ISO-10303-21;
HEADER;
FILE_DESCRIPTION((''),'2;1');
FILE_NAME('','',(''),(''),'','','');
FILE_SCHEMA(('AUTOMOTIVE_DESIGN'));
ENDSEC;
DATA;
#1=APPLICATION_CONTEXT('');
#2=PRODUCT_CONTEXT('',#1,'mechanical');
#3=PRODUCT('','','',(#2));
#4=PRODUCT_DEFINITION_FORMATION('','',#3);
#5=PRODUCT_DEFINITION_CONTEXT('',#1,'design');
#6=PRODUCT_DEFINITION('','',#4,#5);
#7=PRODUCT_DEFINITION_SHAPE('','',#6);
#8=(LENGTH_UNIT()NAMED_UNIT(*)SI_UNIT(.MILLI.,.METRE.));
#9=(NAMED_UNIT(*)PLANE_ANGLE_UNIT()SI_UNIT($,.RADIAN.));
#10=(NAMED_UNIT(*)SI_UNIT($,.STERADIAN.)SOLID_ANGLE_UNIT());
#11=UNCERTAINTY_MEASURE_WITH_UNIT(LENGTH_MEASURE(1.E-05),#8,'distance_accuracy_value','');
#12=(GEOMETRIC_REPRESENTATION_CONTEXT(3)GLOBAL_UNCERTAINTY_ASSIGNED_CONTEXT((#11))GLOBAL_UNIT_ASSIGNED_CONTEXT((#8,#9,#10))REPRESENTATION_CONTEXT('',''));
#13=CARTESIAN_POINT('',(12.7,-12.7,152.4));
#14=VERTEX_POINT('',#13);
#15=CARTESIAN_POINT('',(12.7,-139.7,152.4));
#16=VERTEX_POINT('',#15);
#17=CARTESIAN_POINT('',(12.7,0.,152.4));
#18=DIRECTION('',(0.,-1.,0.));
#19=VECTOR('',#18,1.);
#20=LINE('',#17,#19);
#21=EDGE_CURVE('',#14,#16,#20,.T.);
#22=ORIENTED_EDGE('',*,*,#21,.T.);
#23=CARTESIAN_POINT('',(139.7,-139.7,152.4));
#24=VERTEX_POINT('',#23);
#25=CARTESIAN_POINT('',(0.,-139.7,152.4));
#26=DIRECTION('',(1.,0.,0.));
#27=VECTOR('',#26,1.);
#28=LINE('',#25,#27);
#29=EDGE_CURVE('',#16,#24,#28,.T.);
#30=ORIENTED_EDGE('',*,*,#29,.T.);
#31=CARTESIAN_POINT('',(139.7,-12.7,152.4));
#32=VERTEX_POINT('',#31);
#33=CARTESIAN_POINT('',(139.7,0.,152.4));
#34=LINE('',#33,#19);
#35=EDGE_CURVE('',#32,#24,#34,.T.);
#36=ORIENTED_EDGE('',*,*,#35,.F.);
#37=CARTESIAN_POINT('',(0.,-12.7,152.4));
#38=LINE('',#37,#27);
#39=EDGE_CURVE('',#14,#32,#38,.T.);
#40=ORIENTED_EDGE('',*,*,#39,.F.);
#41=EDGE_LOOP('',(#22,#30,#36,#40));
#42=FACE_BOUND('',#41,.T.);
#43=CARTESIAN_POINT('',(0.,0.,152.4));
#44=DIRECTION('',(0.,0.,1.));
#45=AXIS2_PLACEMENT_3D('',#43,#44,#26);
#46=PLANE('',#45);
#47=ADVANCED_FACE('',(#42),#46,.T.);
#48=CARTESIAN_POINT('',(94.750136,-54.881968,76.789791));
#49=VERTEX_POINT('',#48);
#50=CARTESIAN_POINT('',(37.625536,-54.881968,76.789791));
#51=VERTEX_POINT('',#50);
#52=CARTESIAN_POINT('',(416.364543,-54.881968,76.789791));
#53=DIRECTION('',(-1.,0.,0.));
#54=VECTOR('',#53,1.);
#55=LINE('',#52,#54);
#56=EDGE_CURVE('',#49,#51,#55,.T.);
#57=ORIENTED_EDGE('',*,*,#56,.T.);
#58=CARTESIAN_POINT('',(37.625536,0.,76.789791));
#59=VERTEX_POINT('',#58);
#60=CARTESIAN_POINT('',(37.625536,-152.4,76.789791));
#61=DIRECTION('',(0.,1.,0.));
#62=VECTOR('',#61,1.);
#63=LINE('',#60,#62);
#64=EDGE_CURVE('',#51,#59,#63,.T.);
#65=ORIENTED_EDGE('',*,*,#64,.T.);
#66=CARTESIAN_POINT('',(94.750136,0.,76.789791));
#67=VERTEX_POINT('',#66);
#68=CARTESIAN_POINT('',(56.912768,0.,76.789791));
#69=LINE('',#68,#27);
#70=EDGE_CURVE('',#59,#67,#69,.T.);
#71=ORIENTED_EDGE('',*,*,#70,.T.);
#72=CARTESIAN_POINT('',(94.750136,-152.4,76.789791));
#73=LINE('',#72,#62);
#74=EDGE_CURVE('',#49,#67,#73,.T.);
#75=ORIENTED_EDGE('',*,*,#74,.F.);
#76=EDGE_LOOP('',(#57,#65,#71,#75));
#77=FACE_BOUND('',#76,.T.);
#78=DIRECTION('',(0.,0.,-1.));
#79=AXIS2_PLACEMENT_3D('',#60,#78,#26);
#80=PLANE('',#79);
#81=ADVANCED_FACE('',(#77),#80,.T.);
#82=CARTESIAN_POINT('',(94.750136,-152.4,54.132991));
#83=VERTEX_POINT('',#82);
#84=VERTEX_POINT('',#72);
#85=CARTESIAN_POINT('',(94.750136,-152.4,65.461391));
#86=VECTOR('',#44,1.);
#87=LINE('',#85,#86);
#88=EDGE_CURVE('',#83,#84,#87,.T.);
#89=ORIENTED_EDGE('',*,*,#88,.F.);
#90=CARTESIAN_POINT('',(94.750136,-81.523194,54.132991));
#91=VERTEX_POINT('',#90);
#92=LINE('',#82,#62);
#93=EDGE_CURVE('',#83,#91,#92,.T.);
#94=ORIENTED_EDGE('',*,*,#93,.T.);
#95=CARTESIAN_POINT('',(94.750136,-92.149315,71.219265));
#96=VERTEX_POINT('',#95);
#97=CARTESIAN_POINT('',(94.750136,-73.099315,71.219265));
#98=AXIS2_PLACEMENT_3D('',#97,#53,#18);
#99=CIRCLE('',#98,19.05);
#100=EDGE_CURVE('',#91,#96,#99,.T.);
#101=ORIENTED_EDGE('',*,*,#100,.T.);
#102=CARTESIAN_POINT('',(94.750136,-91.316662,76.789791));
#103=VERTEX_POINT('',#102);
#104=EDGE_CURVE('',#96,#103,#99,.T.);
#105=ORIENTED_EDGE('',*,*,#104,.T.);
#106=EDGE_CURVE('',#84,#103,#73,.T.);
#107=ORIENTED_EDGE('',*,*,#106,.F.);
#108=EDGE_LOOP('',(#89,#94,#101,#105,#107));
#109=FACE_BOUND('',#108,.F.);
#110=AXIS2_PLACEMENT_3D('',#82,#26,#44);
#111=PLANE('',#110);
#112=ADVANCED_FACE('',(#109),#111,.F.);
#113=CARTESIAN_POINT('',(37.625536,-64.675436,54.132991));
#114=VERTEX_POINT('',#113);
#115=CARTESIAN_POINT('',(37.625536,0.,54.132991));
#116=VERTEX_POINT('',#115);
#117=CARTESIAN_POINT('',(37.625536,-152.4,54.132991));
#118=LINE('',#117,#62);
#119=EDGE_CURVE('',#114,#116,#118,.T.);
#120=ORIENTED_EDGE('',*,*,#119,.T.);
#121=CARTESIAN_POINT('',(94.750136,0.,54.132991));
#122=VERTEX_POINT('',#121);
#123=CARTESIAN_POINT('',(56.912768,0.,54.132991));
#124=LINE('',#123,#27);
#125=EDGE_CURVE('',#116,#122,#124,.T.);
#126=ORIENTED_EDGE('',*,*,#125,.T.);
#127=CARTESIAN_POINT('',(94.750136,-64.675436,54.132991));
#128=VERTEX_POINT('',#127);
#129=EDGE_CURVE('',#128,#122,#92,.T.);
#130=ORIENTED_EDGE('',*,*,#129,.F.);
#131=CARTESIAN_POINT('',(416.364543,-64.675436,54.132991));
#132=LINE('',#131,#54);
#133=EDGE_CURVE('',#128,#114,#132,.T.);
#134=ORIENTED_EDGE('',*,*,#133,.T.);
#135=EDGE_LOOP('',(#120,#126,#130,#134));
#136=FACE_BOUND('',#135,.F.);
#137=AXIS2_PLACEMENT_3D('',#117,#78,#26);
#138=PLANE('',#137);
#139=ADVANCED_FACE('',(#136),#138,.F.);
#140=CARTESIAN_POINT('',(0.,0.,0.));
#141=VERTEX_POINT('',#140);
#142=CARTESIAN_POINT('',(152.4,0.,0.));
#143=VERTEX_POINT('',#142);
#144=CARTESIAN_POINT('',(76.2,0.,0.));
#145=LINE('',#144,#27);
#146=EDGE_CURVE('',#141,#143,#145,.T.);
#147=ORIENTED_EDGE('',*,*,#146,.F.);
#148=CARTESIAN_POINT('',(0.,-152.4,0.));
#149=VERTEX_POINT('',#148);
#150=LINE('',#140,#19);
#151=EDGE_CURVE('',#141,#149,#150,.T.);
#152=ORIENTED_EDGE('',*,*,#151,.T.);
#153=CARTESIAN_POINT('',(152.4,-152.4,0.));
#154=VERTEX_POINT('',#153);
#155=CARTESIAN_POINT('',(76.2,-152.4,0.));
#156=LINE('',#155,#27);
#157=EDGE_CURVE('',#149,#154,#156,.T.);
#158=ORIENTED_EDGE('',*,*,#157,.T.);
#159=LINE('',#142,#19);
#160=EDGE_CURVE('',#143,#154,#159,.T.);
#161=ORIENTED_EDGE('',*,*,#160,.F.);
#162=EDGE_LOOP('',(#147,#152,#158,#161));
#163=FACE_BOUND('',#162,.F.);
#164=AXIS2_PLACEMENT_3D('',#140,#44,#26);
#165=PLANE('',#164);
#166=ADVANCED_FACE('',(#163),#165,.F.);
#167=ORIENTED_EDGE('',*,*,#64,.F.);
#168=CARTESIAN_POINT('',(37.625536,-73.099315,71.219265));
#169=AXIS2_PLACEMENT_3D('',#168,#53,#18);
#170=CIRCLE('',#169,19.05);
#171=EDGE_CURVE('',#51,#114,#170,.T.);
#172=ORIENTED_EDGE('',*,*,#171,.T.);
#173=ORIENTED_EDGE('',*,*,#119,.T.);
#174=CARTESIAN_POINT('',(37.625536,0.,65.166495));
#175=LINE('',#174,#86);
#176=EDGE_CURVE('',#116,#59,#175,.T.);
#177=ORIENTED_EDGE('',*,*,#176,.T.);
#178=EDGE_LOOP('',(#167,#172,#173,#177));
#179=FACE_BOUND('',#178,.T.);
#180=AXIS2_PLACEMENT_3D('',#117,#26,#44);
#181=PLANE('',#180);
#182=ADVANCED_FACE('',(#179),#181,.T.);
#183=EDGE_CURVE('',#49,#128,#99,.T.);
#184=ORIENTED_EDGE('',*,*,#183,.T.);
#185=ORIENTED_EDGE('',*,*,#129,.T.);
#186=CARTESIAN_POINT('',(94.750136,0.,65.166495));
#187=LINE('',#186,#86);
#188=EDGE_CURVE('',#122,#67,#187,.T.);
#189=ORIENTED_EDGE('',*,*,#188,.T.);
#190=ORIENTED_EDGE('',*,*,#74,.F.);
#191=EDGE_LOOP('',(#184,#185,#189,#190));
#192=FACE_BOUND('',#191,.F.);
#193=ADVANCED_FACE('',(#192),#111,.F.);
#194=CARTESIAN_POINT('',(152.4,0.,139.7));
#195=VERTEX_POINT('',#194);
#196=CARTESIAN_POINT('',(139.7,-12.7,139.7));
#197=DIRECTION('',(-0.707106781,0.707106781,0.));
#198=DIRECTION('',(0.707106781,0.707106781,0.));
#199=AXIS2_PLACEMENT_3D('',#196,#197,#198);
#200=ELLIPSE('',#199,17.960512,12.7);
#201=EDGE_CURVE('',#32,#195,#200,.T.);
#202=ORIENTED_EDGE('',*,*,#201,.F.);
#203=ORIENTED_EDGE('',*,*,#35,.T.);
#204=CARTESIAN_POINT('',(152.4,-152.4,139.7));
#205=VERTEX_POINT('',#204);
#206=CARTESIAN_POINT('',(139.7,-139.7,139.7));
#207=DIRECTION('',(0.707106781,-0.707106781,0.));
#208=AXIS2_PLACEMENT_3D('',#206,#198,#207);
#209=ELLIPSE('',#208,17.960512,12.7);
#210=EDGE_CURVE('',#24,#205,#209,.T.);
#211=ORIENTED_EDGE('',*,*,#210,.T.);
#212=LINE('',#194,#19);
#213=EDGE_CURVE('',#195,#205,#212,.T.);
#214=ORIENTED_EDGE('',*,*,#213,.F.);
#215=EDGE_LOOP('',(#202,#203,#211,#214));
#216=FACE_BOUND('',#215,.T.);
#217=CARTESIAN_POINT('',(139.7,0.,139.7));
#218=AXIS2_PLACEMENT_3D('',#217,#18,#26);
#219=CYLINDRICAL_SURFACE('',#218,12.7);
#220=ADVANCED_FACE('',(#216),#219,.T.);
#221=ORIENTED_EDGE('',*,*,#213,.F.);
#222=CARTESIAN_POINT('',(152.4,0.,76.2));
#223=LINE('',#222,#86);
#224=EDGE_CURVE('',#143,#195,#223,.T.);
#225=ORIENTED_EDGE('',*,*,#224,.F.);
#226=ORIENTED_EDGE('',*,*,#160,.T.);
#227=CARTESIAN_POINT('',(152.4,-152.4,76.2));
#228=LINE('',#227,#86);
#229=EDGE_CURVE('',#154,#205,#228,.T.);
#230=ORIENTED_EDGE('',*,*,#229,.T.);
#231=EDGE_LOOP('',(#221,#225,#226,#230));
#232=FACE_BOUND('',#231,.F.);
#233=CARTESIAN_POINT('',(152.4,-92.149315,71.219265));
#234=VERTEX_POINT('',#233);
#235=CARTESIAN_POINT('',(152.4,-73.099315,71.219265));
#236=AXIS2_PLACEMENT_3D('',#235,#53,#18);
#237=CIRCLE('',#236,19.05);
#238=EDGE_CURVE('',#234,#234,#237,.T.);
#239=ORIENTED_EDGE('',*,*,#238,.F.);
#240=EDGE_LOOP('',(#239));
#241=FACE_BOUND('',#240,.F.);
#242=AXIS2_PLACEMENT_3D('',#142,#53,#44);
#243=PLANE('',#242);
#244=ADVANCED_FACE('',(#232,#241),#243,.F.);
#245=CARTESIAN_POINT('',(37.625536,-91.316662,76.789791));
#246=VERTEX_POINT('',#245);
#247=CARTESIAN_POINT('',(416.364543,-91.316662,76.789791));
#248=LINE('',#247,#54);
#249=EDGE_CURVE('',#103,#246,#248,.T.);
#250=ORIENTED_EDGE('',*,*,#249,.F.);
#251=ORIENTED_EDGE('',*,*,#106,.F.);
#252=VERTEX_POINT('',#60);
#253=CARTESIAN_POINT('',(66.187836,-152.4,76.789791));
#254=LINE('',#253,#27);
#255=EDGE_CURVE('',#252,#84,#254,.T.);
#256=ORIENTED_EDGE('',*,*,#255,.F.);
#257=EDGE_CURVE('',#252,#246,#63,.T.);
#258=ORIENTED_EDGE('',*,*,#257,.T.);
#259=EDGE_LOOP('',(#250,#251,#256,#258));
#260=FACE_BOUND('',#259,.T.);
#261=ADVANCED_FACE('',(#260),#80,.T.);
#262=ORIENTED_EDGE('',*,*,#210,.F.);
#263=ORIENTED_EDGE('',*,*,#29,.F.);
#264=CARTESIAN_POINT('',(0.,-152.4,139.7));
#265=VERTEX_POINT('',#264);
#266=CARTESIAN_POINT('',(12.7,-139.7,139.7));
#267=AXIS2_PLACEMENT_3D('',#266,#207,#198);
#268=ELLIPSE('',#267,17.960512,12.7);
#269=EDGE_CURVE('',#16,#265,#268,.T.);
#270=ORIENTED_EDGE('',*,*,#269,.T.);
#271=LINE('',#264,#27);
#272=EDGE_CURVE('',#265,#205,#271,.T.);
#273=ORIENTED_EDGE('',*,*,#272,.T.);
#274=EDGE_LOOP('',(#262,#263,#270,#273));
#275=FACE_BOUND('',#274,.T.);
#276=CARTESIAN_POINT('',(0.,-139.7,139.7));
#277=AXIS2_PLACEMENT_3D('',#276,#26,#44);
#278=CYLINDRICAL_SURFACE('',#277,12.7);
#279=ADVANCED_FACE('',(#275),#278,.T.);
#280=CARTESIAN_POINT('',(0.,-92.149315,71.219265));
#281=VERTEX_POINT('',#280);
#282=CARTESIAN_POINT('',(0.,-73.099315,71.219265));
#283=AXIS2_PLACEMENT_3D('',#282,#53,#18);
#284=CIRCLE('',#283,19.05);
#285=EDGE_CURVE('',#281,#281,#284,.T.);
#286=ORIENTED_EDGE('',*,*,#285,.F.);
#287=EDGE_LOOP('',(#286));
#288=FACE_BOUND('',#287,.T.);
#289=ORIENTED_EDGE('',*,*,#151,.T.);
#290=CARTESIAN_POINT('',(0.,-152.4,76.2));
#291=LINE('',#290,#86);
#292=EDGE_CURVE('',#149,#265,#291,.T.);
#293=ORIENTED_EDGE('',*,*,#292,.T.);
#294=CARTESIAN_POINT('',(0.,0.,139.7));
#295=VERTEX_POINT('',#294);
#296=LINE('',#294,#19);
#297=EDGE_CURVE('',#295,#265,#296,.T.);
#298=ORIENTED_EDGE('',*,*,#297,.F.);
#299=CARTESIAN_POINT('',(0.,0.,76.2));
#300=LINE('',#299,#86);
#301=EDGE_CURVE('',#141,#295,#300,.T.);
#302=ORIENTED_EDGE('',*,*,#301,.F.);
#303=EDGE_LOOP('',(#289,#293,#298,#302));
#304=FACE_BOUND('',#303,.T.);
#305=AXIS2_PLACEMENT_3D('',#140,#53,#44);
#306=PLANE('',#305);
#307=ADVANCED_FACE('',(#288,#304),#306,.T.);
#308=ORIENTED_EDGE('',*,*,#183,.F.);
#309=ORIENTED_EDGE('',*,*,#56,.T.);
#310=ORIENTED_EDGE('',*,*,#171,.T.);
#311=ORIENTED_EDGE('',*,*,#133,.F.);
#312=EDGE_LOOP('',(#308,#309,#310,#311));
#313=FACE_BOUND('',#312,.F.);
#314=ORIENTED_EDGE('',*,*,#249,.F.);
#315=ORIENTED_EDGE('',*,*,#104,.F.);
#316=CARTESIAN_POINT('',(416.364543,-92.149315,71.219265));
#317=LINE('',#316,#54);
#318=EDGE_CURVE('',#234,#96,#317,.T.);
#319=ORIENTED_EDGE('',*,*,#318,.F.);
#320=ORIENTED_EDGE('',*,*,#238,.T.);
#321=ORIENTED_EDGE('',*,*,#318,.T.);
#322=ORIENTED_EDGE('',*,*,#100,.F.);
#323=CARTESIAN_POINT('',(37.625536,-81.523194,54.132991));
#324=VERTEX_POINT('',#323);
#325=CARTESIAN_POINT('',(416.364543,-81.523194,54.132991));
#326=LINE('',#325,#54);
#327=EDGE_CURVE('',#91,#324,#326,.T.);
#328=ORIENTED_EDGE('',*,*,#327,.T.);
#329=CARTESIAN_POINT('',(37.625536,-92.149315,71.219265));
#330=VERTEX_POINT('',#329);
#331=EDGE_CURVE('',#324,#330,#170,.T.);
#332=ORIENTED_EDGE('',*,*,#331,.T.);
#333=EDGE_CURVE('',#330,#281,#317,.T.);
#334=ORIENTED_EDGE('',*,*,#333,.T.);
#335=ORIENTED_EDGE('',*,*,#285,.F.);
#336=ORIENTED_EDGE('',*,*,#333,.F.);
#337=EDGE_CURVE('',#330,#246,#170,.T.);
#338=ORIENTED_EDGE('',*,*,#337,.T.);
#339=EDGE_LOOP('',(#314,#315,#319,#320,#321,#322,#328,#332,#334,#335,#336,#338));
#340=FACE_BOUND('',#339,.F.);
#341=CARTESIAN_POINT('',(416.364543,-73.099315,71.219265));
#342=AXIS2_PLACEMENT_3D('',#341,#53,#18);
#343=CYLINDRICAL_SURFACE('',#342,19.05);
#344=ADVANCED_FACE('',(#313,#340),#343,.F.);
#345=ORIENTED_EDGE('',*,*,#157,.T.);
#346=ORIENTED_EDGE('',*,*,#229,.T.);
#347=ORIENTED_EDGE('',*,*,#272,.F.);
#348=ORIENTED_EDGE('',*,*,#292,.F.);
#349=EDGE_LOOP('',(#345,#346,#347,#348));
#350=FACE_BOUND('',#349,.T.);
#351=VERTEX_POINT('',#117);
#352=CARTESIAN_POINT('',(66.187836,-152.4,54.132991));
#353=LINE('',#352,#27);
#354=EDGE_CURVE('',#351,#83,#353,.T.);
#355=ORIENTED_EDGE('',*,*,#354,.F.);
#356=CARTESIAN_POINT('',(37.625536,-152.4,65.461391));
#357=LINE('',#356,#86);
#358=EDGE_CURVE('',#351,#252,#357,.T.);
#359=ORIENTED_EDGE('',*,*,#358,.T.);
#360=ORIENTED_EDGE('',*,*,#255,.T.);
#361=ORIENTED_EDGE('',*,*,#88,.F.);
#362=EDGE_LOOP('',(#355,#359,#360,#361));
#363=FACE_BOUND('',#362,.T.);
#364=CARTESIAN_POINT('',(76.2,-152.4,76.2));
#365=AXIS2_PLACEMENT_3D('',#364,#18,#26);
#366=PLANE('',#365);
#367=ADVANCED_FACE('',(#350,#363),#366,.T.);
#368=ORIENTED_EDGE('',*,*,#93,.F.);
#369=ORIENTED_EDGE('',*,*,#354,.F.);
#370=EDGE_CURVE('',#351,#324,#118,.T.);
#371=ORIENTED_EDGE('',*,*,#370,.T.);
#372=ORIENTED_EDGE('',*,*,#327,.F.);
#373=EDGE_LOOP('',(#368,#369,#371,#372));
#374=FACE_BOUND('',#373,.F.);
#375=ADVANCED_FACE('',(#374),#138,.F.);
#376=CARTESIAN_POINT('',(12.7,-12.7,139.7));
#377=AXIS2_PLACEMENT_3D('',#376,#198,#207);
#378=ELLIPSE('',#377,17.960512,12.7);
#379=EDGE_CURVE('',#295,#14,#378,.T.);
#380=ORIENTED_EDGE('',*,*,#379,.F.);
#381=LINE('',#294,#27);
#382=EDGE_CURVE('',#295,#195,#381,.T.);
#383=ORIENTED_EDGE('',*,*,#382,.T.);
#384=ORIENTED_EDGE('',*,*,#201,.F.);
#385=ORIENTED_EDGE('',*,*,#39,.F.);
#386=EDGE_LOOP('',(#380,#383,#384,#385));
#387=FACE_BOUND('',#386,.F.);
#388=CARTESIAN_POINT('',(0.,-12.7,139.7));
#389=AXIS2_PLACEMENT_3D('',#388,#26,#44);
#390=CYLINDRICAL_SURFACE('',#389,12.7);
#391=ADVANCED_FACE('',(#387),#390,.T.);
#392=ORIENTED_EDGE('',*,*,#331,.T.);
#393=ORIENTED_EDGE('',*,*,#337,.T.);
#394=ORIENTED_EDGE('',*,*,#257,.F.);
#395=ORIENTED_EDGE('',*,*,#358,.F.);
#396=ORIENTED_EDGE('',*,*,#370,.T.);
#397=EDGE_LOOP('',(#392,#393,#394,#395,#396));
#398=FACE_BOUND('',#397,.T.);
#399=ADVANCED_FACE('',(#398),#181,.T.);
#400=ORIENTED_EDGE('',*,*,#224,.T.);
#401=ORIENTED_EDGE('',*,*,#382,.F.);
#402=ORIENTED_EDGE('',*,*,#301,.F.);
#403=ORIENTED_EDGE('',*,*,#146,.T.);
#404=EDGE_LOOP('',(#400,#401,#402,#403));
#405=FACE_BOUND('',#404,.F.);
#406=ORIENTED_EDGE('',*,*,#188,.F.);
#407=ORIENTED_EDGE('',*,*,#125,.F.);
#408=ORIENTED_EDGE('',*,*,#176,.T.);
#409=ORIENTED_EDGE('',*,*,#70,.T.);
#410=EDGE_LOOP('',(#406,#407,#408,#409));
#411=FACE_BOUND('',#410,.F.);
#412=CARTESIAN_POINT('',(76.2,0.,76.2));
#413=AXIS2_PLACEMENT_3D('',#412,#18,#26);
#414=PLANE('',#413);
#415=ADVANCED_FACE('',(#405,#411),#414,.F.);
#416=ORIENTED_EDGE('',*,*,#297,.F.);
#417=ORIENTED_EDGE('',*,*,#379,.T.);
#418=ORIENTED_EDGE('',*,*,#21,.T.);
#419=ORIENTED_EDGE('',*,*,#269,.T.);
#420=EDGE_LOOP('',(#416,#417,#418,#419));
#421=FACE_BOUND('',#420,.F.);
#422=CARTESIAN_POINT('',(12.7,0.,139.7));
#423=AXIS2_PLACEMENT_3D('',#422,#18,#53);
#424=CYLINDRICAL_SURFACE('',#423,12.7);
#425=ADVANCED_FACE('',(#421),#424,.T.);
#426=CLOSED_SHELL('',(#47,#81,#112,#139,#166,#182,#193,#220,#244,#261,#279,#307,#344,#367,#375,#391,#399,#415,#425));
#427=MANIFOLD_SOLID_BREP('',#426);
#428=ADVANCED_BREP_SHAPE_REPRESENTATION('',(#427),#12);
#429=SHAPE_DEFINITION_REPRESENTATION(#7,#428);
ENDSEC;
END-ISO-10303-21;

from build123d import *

# Parameters (mm, degrees)
F0_W     = 152.4
F0_H     = 152.4
F1_DEPTH = 152.4
F2_R     = 12.7
F4_D     = 38.1
F5_W     = 57.1246
F5_H     = 22.6568
F6_DEPTH = 152.401


with BuildPart() as f1:
    # F0 (on Front) → F1 (new body)
    with BuildSketch(Plane.XZ):
        with Locations((76.2, 76.2)):
            Rectangle(F0_W, F0_H)
    extrude(amount=F1_DEPTH)

    # F2
    f2_edges = [f1.edges().sort_by_distance(p)[0] for p in [
        (76.2, -152.4, 152.4),
        (0, -76.2, 152.4),
        (76.2, 0, 152.4),
        (152.4, -76.2, 152.4),
    ]]
    fillet(f2_edges, radius=F2_R)

    # F4 (through all)
    with Locations(Plane.YZ.offset(152.4)):
        with Locations((-73.099315, 71.219265)):
            Hole(F4_D / 2)

    # F5 (on face) → F6 (cut, through all)
    with BuildSketch(Plane.XZ.offset(152.4)):
        with Locations((66.187836, 65.461391)):
            Rectangle(F5_W, F5_H)
    extrude(amount=-F6_DEPTH, mode=Mode.SUBTRACT)


solid = f1.part
